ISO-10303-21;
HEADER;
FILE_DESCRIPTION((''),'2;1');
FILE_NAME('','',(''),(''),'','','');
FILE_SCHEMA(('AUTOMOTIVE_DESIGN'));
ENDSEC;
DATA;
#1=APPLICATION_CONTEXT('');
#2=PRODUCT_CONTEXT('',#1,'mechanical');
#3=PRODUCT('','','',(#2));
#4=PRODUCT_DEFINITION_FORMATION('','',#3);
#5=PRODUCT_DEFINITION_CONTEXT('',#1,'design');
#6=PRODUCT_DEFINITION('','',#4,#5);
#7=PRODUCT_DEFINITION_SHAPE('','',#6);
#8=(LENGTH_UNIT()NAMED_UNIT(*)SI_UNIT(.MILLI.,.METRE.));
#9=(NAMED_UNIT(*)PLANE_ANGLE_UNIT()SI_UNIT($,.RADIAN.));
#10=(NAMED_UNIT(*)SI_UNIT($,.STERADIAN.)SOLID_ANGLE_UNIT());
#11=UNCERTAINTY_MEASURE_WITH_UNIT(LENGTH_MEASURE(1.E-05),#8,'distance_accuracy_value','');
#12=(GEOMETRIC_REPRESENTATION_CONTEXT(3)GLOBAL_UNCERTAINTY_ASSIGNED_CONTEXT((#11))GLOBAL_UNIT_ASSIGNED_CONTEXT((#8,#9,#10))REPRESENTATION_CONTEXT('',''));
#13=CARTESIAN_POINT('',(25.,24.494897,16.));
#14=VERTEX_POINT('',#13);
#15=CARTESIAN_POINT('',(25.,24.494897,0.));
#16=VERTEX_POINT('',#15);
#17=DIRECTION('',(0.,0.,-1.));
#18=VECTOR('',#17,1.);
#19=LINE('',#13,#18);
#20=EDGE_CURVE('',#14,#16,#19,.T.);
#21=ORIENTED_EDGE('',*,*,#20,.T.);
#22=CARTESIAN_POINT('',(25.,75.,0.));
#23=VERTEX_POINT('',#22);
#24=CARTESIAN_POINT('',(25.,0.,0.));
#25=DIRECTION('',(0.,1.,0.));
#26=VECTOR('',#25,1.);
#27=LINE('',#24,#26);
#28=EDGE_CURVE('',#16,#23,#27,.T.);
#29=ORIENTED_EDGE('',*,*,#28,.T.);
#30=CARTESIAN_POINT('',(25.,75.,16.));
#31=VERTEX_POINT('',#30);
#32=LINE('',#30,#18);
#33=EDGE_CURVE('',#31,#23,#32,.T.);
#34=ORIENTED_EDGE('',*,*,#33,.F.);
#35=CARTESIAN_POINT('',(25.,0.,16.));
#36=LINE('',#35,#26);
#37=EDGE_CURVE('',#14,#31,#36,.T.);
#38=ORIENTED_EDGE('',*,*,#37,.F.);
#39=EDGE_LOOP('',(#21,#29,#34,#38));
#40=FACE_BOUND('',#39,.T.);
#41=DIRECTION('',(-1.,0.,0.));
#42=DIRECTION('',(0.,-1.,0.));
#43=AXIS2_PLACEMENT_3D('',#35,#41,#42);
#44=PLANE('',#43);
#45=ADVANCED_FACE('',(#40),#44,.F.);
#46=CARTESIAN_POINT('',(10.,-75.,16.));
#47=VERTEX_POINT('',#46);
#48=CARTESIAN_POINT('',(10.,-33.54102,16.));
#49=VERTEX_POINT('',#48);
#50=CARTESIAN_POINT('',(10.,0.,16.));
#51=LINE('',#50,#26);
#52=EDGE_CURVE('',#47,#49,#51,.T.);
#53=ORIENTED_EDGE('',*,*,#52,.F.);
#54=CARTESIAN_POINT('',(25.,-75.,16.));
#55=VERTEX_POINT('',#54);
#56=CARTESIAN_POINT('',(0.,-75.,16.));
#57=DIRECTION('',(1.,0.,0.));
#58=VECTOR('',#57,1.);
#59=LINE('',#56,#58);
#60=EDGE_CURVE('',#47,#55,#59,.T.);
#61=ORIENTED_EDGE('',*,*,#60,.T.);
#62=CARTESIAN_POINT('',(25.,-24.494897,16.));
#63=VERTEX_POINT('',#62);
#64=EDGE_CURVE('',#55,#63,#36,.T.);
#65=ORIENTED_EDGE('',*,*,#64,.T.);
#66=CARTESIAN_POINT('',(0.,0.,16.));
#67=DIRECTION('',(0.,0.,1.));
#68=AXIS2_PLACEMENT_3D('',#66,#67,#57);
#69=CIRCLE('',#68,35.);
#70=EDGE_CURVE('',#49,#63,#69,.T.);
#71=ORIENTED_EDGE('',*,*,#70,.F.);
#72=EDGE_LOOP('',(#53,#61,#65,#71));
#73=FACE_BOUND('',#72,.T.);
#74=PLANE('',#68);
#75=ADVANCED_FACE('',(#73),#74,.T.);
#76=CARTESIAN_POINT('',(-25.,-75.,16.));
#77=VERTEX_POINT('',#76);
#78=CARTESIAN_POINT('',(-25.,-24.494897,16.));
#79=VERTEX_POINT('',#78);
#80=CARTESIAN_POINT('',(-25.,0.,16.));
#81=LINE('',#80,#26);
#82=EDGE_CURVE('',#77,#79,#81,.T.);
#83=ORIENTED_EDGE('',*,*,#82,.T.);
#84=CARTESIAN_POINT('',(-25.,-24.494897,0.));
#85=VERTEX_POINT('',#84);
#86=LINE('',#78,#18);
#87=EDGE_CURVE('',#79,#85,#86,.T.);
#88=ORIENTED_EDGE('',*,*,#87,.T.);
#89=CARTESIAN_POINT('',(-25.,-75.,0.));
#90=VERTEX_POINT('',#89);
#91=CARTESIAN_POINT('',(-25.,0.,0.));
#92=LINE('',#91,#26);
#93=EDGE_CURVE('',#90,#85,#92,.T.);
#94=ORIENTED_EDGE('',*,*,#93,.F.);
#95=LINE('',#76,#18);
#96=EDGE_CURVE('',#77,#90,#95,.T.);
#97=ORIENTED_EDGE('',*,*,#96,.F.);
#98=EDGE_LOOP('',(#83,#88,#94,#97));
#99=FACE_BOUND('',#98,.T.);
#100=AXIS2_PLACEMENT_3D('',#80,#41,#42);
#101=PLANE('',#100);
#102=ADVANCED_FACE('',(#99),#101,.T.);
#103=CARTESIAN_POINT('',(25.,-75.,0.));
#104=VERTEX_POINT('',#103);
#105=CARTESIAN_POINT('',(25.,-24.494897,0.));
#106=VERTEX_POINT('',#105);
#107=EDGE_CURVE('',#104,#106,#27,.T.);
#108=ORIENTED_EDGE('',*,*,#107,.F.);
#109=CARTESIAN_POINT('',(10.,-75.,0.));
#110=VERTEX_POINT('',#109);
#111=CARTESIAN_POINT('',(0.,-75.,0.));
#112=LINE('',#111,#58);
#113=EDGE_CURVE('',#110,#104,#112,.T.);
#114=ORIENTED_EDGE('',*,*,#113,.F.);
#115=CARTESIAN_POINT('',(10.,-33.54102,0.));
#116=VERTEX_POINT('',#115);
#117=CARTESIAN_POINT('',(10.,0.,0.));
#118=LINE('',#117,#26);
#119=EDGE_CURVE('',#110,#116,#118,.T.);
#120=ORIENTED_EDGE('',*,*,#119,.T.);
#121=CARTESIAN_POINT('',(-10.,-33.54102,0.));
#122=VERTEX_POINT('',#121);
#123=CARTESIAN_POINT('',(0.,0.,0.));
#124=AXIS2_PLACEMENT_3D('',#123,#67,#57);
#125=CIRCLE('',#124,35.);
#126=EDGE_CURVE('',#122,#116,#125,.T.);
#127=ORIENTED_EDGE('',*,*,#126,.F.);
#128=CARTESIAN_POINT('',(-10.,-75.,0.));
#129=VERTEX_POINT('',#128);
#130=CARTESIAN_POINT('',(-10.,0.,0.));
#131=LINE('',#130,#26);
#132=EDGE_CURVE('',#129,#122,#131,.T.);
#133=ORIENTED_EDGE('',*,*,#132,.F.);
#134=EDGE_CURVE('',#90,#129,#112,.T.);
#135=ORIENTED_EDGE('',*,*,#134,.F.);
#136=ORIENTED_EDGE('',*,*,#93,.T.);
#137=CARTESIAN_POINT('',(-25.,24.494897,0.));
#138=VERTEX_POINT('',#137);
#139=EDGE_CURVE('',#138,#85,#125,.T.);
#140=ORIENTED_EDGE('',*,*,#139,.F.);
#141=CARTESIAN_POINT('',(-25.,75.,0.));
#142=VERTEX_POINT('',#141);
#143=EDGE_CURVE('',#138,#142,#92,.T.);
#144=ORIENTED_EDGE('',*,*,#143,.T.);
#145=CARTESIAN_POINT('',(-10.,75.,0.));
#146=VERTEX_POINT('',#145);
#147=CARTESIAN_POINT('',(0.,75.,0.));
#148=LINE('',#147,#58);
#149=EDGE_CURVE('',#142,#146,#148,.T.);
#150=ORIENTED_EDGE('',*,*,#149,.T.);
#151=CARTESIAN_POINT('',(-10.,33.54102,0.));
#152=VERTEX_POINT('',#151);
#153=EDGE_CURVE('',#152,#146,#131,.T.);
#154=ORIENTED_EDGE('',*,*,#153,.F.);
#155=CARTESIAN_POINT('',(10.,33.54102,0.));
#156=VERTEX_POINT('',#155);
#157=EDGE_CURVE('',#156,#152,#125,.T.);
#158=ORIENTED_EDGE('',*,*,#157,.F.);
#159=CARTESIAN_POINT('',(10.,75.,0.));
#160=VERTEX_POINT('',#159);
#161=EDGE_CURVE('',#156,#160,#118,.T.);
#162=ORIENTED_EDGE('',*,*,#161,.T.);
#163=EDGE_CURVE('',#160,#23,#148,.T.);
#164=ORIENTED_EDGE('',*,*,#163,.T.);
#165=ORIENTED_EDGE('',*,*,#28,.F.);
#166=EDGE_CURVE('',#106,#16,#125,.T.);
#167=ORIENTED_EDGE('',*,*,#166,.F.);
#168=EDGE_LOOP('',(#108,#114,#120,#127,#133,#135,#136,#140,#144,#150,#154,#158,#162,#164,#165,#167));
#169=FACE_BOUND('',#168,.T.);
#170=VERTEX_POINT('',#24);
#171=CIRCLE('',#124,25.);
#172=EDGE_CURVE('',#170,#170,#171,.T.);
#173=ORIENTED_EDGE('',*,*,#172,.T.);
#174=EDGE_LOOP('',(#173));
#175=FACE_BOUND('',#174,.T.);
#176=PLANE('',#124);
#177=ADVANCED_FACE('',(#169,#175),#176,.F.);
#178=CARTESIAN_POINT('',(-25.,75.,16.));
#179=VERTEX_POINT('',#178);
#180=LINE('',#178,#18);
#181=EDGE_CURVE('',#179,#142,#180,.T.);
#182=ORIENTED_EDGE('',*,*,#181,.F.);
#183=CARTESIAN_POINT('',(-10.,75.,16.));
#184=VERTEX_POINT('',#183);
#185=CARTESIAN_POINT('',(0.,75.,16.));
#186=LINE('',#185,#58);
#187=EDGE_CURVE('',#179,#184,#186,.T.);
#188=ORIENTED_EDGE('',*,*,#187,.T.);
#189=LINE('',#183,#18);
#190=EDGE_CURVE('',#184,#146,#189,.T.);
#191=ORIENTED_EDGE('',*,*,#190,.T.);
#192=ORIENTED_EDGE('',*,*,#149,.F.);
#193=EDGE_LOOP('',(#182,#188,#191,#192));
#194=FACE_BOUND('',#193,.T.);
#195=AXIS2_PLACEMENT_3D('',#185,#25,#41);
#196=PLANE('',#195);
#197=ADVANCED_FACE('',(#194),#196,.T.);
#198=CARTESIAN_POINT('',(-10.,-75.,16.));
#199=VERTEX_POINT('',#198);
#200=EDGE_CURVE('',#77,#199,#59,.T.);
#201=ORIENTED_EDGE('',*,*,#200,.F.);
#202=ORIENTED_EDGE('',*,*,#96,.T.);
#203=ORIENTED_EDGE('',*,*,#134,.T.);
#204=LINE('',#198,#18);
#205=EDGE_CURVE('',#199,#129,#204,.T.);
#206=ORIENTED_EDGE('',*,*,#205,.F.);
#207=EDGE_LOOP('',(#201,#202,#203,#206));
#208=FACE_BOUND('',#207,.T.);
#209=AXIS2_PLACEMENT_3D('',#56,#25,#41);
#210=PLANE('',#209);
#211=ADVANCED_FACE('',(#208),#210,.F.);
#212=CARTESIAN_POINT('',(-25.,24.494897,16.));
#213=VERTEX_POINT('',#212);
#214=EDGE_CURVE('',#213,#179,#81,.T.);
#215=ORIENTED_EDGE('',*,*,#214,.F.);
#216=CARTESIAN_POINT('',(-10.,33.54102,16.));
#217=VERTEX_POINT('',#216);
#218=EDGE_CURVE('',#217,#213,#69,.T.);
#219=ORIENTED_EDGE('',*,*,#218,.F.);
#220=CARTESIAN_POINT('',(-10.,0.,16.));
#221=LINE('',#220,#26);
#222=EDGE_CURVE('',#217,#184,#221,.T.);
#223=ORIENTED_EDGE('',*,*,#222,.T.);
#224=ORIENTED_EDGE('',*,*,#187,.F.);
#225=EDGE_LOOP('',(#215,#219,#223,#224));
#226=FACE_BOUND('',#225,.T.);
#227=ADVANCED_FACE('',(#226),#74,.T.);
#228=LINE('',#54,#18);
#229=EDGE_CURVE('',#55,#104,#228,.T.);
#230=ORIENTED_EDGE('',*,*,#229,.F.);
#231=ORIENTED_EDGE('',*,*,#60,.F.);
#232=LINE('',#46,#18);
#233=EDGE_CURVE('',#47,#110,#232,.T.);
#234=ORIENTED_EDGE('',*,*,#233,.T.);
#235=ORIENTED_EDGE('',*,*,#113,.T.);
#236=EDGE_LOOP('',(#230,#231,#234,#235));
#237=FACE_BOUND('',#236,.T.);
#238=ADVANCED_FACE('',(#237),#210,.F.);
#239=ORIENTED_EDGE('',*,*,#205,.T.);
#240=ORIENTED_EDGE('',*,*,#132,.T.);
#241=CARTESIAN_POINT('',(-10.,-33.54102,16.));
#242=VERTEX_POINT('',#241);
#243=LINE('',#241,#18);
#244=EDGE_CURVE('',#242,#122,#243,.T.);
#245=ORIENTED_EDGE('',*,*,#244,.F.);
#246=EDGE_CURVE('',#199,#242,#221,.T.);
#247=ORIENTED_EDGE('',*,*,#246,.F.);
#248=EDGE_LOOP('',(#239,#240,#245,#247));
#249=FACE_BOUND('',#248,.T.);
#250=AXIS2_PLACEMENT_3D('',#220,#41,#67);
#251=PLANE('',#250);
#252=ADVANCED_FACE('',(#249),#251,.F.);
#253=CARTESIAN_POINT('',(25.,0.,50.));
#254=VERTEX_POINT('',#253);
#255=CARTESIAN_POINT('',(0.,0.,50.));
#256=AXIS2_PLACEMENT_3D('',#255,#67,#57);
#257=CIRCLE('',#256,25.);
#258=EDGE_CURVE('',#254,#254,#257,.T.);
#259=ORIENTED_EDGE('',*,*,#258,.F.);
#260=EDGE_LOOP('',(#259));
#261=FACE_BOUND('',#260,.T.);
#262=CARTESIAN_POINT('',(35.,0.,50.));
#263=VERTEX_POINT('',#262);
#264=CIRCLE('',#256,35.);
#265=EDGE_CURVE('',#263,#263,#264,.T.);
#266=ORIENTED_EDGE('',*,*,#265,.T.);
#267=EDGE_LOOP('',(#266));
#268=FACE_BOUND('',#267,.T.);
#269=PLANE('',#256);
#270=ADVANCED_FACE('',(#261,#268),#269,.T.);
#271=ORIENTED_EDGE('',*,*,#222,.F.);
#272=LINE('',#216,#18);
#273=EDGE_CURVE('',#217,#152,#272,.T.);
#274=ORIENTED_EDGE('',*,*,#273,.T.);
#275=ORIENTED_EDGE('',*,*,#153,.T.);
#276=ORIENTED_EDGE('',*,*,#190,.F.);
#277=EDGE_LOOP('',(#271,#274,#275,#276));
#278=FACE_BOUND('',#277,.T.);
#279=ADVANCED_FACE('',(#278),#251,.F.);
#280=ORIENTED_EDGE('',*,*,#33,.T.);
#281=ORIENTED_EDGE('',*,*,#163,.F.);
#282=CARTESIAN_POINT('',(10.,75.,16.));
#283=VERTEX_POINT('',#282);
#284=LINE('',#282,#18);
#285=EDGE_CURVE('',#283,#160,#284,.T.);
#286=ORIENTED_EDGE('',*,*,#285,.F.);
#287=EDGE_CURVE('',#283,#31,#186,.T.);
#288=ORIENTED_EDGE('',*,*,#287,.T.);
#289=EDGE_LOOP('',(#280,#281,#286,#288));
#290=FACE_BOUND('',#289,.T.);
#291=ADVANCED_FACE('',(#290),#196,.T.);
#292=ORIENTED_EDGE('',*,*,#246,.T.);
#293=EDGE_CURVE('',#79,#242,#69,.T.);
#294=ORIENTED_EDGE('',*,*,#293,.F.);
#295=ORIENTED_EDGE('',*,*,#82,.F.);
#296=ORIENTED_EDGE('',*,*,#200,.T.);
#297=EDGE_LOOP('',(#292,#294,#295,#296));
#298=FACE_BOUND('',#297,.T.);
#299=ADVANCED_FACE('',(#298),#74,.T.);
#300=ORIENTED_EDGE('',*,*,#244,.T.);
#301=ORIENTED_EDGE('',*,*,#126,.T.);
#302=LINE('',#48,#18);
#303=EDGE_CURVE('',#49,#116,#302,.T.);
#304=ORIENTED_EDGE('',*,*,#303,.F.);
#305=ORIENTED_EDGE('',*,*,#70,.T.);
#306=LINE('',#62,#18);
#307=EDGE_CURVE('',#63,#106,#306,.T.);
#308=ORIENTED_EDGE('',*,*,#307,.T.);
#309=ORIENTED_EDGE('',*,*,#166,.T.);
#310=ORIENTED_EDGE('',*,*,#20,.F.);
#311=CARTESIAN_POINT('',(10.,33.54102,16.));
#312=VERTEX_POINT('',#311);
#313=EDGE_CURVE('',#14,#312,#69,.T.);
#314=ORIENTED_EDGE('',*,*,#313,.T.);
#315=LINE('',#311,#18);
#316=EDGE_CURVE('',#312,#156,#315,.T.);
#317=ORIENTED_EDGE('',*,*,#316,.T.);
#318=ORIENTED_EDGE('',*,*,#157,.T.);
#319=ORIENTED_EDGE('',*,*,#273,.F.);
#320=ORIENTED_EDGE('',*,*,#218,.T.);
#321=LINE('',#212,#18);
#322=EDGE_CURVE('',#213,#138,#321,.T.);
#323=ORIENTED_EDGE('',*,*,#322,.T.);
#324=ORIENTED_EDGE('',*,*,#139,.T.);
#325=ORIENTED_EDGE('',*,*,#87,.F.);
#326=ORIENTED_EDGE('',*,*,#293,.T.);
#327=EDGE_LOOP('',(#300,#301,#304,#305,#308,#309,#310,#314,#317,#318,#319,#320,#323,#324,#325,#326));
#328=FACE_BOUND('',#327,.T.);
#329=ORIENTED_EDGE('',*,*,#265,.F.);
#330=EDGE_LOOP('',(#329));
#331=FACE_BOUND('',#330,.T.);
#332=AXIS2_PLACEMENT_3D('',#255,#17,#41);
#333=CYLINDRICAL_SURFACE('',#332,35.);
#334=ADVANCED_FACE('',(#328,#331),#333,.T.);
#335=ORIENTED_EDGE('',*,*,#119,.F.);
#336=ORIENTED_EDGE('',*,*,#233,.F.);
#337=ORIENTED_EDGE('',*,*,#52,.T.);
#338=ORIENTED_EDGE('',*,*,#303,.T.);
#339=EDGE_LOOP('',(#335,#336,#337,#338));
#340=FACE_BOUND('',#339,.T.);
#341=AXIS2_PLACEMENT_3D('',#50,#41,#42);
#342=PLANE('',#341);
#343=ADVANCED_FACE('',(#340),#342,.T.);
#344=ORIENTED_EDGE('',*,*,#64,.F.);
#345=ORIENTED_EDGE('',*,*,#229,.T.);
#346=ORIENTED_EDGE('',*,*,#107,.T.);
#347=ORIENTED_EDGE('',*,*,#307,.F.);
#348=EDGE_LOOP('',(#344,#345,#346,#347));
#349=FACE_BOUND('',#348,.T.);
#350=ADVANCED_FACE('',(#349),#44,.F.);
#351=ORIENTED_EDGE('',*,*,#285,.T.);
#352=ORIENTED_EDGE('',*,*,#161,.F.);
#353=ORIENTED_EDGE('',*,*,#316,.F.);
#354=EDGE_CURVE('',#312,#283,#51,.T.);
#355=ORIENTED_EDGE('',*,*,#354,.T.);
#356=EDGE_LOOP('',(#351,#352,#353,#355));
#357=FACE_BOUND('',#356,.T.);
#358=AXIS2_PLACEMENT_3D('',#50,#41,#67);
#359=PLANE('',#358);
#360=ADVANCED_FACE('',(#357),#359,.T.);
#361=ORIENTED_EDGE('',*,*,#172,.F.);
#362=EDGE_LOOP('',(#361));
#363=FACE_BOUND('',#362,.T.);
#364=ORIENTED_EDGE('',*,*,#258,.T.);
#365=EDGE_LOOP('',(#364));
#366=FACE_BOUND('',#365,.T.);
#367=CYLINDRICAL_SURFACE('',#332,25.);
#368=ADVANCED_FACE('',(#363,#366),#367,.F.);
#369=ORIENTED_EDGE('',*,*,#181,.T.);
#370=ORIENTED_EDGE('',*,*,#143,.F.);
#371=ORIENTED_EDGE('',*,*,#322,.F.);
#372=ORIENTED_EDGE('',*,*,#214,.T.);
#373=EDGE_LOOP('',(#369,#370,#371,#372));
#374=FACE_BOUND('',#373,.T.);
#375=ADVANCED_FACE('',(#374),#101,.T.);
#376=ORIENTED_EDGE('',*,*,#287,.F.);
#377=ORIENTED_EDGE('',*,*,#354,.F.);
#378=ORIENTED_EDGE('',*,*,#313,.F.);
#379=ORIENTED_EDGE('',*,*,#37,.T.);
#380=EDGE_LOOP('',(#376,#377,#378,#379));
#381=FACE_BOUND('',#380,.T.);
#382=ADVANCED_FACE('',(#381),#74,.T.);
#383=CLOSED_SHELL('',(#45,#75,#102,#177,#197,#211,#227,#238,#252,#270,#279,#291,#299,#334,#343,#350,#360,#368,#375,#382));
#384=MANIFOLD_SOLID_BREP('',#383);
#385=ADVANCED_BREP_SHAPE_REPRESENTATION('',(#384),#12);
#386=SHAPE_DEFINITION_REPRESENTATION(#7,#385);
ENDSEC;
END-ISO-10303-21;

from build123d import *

# Parameters (mm, degrees)
SKETCH1_R           = 25
BOSS_EXTRUDE1_DEPTH = 50
BOSS_EXTRUDE2_DEPTH = 16


with BuildPart() as part:
    # Sketch1 → Boss-Extrude1 (new body)
    with BuildSketch(Plane(origin=(0, 0, 0), x_dir=(0, 1, 0), z_dir=(0, 0, 1))):
        with BuildLine():
            ThreePointArc((-33.541019662, 10), (-35, 0), (-33.541019662, -10))
            ThreePointArc((-33.541019662, -10), (-29.971518449, -18.075067963), (-24.494897428, -25))
            ThreePointArc((-24.494897428, -25), (0, -35), (24.494897428, -25))
            ThreePointArc((24.494897428, -25), (29.971518449, -18.075067963), (33.541019662, -10))
            ThreePointArc((33.541019662, -10), (34.633334291, -5.052935375), (35, 0))
            ThreePointArc((35, 0), (34.633334291, 5.052935375), (33.541019662, 10))
            ThreePointArc((33.541019662, 10), (29.971518449, 18.075067963), (24.494897428, 25))
            ThreePointArc((24.494897428, 25), (0, 35), (-24.494897428, 25))
            ThreePointArc((-24.494897428, 25), (-29.971518449, 18.075067963), (-33.541019662, 10))
        make_face()
        Circle(SKETCH1_R, mode=Mode.SUBTRACT)
    extrude(amount=BOSS_EXTRUDE1_DEPTH)

    # Sketch1<3> → Boss-Extrude2 (add)
    with BuildSketch(Plane(origin=(0, 0, 0), x_dir=(0, 1, 0), z_dir=(0, 0, 1))):
        with BuildLine():
            Line((-33.541019662, -10), (-75, -10))
            Line((-75, -10), (-75, -25))
            Line((-75, -25), (-24.494897428, -25))
            ThreePointArc((-24.494897428, -25), (-29.971518449, -18.075067963), (-33.541019662, -10))
        make_face()
        with BuildLine():
            Line((-75, 10), (-33.541019662, 10))
            ThreePointArc((-33.541019662, 10), (-29.971518449, 18.075067963), (-24.494897428, 25))
            Line((-24.494897428, 25), (-75, 25))
            Line((-75, 25), (-75, 10))
        make_face()
        with BuildLine():
            ThreePointArc((33.541019662, -10), (29.971518449, -18.075067963), (24.494897428, -25))
            Line((24.494897428, -25), (75, -25))
            Line((75, -25), (75, -10))
            Line((75, -10), (33.541019662, -10))
        make_face()
        with BuildLine():
            Line((75, 25), (24.494897428, 25))
            ThreePointArc((24.494897428, 25), (29.971518449, 18.075067963), (33.541019662, 10))
            Line((33.541019662, 10), (75, 10))
            Line((75, 10), (75, 25))
        make_face()
    extrude(amount=BOSS_EXTRUDE2_DEPTH)


solid = part.part
